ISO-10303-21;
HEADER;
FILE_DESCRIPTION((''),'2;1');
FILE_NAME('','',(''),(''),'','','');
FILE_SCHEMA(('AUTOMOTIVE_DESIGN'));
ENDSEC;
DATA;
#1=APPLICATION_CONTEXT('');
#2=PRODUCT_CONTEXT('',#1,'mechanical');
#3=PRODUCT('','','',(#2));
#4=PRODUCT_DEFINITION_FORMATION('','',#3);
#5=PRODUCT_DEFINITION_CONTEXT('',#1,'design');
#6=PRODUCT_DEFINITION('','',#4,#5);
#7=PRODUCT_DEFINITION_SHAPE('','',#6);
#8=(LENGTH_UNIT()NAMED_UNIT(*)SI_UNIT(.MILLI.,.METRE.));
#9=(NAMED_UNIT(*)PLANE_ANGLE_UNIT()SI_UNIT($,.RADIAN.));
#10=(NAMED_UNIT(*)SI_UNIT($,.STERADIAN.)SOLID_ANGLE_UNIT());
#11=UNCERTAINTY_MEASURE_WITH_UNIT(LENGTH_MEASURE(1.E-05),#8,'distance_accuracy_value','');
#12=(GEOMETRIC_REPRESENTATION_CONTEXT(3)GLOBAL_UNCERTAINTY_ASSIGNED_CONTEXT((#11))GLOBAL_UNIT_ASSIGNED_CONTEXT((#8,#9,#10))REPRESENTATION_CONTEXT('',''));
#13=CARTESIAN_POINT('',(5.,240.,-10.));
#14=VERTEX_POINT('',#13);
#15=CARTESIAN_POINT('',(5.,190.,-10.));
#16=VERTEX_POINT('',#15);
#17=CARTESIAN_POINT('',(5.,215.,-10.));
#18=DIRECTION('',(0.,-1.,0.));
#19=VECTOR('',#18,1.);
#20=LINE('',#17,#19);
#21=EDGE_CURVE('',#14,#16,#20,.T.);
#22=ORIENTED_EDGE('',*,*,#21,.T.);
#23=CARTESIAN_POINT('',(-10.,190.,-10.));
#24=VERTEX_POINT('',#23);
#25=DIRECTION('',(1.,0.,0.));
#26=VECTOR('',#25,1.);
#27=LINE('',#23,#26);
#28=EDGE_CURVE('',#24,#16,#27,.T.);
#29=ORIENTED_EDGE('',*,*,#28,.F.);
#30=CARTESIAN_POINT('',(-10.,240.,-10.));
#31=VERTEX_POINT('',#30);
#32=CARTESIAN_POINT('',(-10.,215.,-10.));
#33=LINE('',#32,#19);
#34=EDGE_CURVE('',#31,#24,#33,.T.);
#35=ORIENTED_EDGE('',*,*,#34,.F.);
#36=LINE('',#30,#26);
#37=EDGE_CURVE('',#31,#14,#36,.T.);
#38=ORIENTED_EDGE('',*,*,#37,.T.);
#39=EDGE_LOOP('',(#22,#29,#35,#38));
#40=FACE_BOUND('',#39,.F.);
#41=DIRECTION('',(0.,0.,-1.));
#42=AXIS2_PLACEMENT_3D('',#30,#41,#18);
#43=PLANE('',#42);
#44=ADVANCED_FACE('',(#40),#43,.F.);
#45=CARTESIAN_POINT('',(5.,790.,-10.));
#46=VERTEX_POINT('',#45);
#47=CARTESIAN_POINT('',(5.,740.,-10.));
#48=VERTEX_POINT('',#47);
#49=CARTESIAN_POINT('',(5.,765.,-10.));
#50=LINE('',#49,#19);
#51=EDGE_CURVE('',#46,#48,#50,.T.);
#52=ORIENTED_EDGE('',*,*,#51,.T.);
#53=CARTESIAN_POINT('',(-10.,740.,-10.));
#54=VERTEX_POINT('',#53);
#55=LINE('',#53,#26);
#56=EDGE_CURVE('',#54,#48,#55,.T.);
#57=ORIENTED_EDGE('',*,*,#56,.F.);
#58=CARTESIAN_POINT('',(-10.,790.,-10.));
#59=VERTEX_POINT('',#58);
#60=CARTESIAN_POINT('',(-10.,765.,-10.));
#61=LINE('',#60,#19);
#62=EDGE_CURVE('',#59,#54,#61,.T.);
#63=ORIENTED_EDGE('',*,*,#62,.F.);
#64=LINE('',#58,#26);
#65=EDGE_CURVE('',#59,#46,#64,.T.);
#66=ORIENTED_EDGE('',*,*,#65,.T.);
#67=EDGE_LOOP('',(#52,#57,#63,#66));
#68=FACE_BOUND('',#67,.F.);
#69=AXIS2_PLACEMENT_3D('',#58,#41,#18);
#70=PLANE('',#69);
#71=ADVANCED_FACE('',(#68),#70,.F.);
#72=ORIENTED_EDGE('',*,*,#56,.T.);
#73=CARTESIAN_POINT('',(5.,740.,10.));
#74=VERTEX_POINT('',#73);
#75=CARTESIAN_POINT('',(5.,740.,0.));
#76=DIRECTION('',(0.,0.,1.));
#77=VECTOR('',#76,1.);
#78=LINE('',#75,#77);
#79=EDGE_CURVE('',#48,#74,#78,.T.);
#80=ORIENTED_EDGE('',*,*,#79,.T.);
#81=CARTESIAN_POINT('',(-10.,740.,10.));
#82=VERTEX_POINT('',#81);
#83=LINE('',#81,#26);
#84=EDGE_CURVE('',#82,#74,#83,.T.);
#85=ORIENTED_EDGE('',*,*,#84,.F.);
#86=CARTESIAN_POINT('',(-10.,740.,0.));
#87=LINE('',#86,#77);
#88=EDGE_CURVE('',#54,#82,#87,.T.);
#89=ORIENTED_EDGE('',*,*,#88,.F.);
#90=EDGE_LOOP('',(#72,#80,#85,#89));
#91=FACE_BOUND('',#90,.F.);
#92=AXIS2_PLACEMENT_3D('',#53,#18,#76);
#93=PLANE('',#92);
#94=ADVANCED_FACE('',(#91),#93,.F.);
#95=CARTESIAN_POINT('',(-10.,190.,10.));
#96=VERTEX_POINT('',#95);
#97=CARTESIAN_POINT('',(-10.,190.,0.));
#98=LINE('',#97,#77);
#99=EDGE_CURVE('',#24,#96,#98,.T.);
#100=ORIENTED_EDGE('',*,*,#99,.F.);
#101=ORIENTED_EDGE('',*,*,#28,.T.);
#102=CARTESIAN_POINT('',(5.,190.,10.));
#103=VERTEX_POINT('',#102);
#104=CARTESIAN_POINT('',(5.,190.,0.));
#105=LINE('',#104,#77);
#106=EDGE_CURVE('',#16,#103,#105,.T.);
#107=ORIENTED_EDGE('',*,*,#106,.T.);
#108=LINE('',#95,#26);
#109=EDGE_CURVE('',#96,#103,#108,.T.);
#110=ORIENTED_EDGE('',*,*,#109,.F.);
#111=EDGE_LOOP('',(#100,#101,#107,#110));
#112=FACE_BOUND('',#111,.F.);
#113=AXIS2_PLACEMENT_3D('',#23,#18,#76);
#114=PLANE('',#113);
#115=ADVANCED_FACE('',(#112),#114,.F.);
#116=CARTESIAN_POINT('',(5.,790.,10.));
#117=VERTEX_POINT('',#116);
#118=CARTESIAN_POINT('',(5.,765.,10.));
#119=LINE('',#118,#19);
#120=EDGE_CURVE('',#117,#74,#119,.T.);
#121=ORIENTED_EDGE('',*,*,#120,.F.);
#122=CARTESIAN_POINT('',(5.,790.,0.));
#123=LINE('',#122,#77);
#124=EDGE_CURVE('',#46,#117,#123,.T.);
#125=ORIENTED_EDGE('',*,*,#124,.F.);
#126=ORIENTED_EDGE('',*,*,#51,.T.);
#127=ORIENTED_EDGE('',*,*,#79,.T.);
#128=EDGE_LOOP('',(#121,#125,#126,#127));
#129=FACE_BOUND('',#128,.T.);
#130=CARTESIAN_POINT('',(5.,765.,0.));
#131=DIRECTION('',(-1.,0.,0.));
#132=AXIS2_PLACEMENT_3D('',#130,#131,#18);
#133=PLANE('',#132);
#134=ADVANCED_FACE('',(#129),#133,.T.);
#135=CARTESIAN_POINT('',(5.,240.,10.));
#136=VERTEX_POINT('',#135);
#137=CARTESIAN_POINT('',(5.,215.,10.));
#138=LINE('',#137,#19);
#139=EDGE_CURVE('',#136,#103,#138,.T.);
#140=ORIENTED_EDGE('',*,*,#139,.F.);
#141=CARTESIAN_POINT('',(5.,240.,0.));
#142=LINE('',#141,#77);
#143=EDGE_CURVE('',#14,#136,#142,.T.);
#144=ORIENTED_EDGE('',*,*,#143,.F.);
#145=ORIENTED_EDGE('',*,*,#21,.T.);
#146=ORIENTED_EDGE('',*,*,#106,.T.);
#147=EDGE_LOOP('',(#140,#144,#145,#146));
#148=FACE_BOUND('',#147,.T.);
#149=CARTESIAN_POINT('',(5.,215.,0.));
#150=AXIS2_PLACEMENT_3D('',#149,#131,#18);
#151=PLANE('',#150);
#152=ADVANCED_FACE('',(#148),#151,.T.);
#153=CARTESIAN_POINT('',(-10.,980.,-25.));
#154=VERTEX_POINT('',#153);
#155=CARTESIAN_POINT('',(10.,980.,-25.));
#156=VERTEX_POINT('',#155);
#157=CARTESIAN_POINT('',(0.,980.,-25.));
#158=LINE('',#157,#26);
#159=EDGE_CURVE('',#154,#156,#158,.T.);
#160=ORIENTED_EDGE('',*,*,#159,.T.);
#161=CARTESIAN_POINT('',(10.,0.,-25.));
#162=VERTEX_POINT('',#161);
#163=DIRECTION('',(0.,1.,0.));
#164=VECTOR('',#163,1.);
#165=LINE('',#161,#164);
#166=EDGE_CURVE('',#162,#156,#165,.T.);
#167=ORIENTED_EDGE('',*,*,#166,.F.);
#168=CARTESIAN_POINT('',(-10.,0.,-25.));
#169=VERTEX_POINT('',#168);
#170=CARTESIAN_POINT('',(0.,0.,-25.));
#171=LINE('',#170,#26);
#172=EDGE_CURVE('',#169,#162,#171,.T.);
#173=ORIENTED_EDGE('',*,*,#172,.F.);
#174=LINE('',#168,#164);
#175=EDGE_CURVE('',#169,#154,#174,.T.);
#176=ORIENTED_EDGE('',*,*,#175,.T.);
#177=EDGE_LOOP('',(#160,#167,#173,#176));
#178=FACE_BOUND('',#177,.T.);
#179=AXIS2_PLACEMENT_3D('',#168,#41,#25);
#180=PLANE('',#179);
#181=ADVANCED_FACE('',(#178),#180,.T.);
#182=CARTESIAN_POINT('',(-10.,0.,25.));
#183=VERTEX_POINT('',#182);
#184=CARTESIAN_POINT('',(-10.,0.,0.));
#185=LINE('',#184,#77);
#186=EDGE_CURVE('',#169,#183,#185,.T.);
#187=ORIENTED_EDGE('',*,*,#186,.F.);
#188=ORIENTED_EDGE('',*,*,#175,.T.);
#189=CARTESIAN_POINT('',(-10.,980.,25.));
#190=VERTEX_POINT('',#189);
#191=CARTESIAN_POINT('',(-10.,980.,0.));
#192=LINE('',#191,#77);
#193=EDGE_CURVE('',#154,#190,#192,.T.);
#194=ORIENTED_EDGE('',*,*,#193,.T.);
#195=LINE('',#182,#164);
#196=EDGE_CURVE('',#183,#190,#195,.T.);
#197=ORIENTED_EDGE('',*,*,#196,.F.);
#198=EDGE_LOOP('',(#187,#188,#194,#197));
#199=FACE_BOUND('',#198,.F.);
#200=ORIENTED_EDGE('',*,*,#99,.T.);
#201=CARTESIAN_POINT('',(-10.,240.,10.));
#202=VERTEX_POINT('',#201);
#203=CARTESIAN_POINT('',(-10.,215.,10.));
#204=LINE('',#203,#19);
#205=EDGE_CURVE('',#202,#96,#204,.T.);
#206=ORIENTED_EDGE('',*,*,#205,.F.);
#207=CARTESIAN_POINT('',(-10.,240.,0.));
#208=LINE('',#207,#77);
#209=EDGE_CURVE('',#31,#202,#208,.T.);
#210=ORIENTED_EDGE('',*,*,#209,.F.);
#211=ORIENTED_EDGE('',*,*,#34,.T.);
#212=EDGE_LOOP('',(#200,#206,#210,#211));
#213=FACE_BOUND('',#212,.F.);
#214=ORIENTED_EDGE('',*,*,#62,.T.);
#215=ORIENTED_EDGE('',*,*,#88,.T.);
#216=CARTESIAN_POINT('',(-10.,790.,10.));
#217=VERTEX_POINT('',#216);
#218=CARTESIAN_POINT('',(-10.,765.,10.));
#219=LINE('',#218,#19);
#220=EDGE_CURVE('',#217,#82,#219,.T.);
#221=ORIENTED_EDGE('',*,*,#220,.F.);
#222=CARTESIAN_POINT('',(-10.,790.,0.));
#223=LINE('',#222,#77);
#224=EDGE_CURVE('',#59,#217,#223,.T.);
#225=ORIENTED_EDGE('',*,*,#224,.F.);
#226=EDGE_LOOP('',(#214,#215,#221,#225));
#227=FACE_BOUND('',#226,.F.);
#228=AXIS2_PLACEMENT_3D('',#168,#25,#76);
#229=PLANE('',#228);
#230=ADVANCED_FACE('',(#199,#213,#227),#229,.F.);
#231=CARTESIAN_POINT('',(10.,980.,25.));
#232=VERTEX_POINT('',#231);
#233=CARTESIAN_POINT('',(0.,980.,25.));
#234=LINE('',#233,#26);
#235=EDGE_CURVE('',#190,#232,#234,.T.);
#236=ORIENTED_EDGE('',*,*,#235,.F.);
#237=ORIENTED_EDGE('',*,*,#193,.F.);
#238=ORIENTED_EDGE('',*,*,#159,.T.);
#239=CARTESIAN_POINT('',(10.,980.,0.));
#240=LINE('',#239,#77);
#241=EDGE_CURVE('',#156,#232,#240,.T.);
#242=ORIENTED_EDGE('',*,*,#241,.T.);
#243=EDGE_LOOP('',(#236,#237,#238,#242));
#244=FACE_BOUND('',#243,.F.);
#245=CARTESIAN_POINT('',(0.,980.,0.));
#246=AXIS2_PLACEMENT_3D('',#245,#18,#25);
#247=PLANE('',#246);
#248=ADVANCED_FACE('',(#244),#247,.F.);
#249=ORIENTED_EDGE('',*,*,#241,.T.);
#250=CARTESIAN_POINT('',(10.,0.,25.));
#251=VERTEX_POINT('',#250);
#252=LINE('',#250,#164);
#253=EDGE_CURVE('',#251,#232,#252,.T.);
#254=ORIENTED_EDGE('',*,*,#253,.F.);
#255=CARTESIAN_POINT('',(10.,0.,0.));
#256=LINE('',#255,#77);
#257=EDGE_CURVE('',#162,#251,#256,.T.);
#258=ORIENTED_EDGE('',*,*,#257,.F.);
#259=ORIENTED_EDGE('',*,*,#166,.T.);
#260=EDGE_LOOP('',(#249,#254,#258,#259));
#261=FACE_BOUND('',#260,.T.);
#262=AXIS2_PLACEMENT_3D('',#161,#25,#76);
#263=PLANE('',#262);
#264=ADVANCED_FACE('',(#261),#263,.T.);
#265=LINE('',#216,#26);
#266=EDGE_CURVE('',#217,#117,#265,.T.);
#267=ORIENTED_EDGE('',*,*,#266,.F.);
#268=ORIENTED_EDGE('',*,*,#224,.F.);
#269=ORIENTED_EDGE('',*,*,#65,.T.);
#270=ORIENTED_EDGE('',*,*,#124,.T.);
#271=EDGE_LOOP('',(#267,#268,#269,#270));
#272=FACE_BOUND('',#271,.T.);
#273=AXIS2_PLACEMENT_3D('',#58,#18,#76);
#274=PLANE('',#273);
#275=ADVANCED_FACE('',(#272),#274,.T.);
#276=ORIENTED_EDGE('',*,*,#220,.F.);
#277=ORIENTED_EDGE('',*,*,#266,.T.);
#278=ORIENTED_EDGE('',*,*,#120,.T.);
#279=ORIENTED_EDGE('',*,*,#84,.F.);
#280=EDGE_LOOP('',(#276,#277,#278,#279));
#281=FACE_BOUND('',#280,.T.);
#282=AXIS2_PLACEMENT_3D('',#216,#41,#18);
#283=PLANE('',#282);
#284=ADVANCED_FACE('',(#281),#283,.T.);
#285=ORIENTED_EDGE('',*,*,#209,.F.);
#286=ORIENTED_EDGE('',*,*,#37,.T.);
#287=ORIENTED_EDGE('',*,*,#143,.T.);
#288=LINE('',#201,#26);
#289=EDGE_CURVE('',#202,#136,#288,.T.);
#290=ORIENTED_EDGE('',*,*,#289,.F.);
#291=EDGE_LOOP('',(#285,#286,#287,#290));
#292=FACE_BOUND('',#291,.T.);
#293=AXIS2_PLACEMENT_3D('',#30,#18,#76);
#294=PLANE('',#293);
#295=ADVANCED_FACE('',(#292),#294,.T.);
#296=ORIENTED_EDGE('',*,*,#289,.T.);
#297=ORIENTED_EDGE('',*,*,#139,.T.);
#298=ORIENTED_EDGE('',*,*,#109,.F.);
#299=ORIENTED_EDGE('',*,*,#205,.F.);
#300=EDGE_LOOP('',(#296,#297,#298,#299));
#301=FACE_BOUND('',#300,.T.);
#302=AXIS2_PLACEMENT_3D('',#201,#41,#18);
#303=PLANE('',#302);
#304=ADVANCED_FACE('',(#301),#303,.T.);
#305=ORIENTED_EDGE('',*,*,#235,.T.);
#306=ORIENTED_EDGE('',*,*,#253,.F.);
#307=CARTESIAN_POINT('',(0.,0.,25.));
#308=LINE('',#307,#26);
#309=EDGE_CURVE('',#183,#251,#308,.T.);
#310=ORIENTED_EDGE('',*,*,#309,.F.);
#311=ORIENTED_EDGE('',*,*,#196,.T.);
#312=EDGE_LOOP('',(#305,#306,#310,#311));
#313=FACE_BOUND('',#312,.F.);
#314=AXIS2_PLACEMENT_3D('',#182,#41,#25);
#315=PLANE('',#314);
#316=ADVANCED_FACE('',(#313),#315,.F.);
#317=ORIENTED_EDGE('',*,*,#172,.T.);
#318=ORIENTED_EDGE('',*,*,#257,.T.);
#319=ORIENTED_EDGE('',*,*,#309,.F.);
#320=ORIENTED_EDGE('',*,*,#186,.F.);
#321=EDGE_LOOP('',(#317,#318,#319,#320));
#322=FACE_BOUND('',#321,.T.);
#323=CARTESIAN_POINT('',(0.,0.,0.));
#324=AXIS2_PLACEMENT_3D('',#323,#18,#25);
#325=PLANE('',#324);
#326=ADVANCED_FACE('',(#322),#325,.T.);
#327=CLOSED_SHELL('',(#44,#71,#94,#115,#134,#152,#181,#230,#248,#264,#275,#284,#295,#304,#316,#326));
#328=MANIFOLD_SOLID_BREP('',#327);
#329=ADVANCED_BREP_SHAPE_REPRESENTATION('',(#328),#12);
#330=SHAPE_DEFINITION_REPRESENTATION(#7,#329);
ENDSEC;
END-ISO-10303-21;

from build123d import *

# Parameters (mm, degrees)
F0_W     = 20
F0_H     = 50
F1_DEPTH = 980
F2_W     = 50
F2_H     = 20
F3_DEPTH = 15


with BuildPart() as f1:
    # F0 (on Front) → F1 (new body)
    with BuildSketch(Plane.XZ):
        Rectangle(F0_W, F0_H)
    extrude(amount=-F1_DEPTH)

    # F2 (on face) → F3 (cut)
    with BuildSketch(Plane(origin=(-10, 0, 0), x_dir=(0, -1, 0), z_dir=(-1, 0, 0))):
        with Locations((-765, 0)):
            Rectangle(F2_W, F2_H)
        with Locations((-215, 0)):
            Rectangle(F2_W, F2_H)
    extrude(amount=-F3_DEPTH, mode=Mode.SUBTRACT)


solid = f1.part
